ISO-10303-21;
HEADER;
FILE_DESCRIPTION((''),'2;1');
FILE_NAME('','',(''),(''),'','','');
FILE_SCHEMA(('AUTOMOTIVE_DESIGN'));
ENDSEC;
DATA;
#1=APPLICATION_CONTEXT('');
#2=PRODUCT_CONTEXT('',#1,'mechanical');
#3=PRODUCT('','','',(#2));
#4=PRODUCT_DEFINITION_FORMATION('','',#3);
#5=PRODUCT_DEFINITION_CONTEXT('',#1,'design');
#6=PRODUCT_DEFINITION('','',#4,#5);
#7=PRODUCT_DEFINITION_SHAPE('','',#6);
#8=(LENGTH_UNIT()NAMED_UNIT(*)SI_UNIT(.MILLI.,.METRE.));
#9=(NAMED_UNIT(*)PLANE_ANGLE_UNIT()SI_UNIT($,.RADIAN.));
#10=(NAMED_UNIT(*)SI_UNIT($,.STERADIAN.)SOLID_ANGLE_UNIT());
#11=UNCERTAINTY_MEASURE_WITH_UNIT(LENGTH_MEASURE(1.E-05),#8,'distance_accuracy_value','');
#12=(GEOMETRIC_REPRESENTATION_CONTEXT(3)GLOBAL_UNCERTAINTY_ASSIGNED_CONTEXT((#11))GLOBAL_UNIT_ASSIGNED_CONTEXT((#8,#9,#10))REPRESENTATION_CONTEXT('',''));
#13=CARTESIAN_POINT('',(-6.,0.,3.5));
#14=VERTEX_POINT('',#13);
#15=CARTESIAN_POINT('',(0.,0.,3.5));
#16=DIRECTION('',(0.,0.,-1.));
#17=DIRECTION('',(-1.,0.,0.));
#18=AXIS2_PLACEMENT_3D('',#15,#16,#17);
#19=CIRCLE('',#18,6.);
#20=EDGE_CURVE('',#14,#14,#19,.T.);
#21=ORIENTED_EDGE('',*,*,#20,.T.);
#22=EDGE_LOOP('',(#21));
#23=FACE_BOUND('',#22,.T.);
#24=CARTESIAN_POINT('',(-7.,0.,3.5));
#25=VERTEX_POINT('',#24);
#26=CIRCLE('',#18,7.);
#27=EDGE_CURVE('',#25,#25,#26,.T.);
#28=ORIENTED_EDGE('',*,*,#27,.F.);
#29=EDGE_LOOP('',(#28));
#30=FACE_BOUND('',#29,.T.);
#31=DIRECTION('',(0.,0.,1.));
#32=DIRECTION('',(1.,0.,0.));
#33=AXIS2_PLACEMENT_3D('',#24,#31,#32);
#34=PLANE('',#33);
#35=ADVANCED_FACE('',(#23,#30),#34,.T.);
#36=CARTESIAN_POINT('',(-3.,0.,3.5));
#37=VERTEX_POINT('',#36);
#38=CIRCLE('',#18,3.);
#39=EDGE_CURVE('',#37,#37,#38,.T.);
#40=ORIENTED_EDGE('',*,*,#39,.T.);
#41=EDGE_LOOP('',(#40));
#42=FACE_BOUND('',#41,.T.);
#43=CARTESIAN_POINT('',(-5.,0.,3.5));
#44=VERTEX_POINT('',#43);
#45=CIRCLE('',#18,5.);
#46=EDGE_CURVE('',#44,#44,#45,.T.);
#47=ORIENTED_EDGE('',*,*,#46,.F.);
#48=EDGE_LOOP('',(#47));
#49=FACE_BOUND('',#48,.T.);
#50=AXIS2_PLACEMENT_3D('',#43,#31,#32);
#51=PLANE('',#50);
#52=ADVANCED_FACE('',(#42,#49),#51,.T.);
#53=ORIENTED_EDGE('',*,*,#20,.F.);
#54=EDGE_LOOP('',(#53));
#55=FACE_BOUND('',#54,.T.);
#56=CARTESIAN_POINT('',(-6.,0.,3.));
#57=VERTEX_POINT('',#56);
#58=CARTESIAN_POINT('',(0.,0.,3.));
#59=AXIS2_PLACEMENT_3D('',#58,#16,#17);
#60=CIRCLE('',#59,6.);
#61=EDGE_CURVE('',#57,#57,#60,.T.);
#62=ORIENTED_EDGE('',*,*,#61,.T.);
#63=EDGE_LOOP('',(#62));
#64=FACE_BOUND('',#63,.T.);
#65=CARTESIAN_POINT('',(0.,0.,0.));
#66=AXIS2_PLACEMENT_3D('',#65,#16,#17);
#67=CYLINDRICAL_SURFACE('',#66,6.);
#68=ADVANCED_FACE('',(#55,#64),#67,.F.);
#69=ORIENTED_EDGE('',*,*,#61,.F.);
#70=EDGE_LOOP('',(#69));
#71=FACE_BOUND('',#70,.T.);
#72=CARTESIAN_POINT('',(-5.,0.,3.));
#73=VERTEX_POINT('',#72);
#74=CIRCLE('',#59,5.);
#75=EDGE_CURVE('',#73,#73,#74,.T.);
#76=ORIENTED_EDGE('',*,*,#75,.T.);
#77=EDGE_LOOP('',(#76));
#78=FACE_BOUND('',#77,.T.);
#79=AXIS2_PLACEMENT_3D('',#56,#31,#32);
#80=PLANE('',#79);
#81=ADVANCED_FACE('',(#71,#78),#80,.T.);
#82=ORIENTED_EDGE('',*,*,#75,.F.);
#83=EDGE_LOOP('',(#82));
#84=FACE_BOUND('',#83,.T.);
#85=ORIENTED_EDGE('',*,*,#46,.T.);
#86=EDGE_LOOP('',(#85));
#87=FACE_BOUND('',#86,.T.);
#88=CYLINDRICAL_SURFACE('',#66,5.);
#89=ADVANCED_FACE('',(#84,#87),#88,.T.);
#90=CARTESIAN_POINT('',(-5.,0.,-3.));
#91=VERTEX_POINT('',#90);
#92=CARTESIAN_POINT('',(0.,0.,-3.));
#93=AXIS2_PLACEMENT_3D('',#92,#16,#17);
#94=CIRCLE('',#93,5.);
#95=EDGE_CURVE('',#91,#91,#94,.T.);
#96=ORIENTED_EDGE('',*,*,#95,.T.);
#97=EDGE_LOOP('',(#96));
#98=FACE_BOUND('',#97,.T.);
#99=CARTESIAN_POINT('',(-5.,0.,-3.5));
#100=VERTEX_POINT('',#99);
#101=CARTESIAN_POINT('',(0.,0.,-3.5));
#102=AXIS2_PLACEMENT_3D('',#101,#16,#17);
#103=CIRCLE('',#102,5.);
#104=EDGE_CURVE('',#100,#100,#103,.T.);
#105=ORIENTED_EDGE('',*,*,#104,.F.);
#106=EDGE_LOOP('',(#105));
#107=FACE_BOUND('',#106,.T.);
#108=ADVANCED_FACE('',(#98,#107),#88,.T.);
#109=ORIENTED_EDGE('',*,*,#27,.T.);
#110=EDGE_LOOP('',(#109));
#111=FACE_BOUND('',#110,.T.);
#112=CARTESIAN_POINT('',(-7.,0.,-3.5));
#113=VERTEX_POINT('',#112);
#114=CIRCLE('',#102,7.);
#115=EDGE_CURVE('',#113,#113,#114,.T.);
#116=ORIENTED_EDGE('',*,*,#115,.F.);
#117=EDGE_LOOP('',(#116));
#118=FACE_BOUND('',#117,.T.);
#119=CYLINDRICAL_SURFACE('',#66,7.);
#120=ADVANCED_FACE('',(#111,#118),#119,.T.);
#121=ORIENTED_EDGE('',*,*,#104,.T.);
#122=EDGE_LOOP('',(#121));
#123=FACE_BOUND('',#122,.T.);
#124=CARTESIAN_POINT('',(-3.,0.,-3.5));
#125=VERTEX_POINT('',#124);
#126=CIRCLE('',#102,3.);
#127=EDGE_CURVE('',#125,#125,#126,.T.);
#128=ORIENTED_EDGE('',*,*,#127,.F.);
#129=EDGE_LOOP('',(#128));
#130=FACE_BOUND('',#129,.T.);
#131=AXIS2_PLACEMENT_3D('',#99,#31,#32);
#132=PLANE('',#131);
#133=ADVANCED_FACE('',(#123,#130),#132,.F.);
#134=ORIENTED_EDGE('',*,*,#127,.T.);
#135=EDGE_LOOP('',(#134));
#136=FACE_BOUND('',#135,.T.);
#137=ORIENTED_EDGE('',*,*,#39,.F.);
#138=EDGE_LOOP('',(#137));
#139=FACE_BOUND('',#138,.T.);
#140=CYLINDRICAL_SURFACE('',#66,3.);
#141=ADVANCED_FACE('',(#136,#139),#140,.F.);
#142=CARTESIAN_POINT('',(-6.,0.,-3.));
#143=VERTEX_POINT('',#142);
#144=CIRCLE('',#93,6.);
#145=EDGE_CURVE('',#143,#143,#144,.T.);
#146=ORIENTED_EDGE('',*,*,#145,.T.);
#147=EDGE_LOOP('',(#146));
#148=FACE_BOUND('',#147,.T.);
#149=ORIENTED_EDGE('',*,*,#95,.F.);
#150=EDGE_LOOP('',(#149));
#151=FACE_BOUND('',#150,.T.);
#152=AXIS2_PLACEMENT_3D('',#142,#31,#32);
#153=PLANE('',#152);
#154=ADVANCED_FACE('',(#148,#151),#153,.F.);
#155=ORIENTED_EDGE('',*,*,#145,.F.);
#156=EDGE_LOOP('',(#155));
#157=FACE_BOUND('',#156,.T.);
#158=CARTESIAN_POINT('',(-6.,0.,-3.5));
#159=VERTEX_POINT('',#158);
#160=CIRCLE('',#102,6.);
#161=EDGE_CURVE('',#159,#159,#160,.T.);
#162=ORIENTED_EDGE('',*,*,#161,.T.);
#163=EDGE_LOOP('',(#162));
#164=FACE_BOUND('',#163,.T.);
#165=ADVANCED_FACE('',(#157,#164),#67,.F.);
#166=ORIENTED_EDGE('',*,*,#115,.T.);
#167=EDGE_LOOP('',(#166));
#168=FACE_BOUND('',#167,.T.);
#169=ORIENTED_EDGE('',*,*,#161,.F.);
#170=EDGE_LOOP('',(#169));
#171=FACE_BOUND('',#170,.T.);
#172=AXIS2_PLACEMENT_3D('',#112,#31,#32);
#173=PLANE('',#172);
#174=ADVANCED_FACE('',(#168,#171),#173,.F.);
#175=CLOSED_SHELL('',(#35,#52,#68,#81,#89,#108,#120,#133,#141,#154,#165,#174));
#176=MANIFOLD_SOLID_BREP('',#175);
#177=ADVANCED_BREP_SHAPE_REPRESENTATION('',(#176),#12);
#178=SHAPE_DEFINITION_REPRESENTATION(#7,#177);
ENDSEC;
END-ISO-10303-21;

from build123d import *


with BuildPart() as part:
    # 草图1 → 旋转1 (revolve)
    with BuildSketch(Plane(origin=(0, 0, 0), x_dir=(1, 0, 0), z_dir=(0, 1, 0))):
        Polygon((-7, -3.5), (-7, 3.5), (-6, 3.5), (-6, 3), (-5, 3), (-5, 3.5), (-3, 3.5), (-3, -3.5), (-5, -3.5), (-5, -3), (-6, -3), (-6, -3.5), align=None)
    revolve(axis=Axis((0, 0, 0), (0, 0, 1)))


solid = part.part
